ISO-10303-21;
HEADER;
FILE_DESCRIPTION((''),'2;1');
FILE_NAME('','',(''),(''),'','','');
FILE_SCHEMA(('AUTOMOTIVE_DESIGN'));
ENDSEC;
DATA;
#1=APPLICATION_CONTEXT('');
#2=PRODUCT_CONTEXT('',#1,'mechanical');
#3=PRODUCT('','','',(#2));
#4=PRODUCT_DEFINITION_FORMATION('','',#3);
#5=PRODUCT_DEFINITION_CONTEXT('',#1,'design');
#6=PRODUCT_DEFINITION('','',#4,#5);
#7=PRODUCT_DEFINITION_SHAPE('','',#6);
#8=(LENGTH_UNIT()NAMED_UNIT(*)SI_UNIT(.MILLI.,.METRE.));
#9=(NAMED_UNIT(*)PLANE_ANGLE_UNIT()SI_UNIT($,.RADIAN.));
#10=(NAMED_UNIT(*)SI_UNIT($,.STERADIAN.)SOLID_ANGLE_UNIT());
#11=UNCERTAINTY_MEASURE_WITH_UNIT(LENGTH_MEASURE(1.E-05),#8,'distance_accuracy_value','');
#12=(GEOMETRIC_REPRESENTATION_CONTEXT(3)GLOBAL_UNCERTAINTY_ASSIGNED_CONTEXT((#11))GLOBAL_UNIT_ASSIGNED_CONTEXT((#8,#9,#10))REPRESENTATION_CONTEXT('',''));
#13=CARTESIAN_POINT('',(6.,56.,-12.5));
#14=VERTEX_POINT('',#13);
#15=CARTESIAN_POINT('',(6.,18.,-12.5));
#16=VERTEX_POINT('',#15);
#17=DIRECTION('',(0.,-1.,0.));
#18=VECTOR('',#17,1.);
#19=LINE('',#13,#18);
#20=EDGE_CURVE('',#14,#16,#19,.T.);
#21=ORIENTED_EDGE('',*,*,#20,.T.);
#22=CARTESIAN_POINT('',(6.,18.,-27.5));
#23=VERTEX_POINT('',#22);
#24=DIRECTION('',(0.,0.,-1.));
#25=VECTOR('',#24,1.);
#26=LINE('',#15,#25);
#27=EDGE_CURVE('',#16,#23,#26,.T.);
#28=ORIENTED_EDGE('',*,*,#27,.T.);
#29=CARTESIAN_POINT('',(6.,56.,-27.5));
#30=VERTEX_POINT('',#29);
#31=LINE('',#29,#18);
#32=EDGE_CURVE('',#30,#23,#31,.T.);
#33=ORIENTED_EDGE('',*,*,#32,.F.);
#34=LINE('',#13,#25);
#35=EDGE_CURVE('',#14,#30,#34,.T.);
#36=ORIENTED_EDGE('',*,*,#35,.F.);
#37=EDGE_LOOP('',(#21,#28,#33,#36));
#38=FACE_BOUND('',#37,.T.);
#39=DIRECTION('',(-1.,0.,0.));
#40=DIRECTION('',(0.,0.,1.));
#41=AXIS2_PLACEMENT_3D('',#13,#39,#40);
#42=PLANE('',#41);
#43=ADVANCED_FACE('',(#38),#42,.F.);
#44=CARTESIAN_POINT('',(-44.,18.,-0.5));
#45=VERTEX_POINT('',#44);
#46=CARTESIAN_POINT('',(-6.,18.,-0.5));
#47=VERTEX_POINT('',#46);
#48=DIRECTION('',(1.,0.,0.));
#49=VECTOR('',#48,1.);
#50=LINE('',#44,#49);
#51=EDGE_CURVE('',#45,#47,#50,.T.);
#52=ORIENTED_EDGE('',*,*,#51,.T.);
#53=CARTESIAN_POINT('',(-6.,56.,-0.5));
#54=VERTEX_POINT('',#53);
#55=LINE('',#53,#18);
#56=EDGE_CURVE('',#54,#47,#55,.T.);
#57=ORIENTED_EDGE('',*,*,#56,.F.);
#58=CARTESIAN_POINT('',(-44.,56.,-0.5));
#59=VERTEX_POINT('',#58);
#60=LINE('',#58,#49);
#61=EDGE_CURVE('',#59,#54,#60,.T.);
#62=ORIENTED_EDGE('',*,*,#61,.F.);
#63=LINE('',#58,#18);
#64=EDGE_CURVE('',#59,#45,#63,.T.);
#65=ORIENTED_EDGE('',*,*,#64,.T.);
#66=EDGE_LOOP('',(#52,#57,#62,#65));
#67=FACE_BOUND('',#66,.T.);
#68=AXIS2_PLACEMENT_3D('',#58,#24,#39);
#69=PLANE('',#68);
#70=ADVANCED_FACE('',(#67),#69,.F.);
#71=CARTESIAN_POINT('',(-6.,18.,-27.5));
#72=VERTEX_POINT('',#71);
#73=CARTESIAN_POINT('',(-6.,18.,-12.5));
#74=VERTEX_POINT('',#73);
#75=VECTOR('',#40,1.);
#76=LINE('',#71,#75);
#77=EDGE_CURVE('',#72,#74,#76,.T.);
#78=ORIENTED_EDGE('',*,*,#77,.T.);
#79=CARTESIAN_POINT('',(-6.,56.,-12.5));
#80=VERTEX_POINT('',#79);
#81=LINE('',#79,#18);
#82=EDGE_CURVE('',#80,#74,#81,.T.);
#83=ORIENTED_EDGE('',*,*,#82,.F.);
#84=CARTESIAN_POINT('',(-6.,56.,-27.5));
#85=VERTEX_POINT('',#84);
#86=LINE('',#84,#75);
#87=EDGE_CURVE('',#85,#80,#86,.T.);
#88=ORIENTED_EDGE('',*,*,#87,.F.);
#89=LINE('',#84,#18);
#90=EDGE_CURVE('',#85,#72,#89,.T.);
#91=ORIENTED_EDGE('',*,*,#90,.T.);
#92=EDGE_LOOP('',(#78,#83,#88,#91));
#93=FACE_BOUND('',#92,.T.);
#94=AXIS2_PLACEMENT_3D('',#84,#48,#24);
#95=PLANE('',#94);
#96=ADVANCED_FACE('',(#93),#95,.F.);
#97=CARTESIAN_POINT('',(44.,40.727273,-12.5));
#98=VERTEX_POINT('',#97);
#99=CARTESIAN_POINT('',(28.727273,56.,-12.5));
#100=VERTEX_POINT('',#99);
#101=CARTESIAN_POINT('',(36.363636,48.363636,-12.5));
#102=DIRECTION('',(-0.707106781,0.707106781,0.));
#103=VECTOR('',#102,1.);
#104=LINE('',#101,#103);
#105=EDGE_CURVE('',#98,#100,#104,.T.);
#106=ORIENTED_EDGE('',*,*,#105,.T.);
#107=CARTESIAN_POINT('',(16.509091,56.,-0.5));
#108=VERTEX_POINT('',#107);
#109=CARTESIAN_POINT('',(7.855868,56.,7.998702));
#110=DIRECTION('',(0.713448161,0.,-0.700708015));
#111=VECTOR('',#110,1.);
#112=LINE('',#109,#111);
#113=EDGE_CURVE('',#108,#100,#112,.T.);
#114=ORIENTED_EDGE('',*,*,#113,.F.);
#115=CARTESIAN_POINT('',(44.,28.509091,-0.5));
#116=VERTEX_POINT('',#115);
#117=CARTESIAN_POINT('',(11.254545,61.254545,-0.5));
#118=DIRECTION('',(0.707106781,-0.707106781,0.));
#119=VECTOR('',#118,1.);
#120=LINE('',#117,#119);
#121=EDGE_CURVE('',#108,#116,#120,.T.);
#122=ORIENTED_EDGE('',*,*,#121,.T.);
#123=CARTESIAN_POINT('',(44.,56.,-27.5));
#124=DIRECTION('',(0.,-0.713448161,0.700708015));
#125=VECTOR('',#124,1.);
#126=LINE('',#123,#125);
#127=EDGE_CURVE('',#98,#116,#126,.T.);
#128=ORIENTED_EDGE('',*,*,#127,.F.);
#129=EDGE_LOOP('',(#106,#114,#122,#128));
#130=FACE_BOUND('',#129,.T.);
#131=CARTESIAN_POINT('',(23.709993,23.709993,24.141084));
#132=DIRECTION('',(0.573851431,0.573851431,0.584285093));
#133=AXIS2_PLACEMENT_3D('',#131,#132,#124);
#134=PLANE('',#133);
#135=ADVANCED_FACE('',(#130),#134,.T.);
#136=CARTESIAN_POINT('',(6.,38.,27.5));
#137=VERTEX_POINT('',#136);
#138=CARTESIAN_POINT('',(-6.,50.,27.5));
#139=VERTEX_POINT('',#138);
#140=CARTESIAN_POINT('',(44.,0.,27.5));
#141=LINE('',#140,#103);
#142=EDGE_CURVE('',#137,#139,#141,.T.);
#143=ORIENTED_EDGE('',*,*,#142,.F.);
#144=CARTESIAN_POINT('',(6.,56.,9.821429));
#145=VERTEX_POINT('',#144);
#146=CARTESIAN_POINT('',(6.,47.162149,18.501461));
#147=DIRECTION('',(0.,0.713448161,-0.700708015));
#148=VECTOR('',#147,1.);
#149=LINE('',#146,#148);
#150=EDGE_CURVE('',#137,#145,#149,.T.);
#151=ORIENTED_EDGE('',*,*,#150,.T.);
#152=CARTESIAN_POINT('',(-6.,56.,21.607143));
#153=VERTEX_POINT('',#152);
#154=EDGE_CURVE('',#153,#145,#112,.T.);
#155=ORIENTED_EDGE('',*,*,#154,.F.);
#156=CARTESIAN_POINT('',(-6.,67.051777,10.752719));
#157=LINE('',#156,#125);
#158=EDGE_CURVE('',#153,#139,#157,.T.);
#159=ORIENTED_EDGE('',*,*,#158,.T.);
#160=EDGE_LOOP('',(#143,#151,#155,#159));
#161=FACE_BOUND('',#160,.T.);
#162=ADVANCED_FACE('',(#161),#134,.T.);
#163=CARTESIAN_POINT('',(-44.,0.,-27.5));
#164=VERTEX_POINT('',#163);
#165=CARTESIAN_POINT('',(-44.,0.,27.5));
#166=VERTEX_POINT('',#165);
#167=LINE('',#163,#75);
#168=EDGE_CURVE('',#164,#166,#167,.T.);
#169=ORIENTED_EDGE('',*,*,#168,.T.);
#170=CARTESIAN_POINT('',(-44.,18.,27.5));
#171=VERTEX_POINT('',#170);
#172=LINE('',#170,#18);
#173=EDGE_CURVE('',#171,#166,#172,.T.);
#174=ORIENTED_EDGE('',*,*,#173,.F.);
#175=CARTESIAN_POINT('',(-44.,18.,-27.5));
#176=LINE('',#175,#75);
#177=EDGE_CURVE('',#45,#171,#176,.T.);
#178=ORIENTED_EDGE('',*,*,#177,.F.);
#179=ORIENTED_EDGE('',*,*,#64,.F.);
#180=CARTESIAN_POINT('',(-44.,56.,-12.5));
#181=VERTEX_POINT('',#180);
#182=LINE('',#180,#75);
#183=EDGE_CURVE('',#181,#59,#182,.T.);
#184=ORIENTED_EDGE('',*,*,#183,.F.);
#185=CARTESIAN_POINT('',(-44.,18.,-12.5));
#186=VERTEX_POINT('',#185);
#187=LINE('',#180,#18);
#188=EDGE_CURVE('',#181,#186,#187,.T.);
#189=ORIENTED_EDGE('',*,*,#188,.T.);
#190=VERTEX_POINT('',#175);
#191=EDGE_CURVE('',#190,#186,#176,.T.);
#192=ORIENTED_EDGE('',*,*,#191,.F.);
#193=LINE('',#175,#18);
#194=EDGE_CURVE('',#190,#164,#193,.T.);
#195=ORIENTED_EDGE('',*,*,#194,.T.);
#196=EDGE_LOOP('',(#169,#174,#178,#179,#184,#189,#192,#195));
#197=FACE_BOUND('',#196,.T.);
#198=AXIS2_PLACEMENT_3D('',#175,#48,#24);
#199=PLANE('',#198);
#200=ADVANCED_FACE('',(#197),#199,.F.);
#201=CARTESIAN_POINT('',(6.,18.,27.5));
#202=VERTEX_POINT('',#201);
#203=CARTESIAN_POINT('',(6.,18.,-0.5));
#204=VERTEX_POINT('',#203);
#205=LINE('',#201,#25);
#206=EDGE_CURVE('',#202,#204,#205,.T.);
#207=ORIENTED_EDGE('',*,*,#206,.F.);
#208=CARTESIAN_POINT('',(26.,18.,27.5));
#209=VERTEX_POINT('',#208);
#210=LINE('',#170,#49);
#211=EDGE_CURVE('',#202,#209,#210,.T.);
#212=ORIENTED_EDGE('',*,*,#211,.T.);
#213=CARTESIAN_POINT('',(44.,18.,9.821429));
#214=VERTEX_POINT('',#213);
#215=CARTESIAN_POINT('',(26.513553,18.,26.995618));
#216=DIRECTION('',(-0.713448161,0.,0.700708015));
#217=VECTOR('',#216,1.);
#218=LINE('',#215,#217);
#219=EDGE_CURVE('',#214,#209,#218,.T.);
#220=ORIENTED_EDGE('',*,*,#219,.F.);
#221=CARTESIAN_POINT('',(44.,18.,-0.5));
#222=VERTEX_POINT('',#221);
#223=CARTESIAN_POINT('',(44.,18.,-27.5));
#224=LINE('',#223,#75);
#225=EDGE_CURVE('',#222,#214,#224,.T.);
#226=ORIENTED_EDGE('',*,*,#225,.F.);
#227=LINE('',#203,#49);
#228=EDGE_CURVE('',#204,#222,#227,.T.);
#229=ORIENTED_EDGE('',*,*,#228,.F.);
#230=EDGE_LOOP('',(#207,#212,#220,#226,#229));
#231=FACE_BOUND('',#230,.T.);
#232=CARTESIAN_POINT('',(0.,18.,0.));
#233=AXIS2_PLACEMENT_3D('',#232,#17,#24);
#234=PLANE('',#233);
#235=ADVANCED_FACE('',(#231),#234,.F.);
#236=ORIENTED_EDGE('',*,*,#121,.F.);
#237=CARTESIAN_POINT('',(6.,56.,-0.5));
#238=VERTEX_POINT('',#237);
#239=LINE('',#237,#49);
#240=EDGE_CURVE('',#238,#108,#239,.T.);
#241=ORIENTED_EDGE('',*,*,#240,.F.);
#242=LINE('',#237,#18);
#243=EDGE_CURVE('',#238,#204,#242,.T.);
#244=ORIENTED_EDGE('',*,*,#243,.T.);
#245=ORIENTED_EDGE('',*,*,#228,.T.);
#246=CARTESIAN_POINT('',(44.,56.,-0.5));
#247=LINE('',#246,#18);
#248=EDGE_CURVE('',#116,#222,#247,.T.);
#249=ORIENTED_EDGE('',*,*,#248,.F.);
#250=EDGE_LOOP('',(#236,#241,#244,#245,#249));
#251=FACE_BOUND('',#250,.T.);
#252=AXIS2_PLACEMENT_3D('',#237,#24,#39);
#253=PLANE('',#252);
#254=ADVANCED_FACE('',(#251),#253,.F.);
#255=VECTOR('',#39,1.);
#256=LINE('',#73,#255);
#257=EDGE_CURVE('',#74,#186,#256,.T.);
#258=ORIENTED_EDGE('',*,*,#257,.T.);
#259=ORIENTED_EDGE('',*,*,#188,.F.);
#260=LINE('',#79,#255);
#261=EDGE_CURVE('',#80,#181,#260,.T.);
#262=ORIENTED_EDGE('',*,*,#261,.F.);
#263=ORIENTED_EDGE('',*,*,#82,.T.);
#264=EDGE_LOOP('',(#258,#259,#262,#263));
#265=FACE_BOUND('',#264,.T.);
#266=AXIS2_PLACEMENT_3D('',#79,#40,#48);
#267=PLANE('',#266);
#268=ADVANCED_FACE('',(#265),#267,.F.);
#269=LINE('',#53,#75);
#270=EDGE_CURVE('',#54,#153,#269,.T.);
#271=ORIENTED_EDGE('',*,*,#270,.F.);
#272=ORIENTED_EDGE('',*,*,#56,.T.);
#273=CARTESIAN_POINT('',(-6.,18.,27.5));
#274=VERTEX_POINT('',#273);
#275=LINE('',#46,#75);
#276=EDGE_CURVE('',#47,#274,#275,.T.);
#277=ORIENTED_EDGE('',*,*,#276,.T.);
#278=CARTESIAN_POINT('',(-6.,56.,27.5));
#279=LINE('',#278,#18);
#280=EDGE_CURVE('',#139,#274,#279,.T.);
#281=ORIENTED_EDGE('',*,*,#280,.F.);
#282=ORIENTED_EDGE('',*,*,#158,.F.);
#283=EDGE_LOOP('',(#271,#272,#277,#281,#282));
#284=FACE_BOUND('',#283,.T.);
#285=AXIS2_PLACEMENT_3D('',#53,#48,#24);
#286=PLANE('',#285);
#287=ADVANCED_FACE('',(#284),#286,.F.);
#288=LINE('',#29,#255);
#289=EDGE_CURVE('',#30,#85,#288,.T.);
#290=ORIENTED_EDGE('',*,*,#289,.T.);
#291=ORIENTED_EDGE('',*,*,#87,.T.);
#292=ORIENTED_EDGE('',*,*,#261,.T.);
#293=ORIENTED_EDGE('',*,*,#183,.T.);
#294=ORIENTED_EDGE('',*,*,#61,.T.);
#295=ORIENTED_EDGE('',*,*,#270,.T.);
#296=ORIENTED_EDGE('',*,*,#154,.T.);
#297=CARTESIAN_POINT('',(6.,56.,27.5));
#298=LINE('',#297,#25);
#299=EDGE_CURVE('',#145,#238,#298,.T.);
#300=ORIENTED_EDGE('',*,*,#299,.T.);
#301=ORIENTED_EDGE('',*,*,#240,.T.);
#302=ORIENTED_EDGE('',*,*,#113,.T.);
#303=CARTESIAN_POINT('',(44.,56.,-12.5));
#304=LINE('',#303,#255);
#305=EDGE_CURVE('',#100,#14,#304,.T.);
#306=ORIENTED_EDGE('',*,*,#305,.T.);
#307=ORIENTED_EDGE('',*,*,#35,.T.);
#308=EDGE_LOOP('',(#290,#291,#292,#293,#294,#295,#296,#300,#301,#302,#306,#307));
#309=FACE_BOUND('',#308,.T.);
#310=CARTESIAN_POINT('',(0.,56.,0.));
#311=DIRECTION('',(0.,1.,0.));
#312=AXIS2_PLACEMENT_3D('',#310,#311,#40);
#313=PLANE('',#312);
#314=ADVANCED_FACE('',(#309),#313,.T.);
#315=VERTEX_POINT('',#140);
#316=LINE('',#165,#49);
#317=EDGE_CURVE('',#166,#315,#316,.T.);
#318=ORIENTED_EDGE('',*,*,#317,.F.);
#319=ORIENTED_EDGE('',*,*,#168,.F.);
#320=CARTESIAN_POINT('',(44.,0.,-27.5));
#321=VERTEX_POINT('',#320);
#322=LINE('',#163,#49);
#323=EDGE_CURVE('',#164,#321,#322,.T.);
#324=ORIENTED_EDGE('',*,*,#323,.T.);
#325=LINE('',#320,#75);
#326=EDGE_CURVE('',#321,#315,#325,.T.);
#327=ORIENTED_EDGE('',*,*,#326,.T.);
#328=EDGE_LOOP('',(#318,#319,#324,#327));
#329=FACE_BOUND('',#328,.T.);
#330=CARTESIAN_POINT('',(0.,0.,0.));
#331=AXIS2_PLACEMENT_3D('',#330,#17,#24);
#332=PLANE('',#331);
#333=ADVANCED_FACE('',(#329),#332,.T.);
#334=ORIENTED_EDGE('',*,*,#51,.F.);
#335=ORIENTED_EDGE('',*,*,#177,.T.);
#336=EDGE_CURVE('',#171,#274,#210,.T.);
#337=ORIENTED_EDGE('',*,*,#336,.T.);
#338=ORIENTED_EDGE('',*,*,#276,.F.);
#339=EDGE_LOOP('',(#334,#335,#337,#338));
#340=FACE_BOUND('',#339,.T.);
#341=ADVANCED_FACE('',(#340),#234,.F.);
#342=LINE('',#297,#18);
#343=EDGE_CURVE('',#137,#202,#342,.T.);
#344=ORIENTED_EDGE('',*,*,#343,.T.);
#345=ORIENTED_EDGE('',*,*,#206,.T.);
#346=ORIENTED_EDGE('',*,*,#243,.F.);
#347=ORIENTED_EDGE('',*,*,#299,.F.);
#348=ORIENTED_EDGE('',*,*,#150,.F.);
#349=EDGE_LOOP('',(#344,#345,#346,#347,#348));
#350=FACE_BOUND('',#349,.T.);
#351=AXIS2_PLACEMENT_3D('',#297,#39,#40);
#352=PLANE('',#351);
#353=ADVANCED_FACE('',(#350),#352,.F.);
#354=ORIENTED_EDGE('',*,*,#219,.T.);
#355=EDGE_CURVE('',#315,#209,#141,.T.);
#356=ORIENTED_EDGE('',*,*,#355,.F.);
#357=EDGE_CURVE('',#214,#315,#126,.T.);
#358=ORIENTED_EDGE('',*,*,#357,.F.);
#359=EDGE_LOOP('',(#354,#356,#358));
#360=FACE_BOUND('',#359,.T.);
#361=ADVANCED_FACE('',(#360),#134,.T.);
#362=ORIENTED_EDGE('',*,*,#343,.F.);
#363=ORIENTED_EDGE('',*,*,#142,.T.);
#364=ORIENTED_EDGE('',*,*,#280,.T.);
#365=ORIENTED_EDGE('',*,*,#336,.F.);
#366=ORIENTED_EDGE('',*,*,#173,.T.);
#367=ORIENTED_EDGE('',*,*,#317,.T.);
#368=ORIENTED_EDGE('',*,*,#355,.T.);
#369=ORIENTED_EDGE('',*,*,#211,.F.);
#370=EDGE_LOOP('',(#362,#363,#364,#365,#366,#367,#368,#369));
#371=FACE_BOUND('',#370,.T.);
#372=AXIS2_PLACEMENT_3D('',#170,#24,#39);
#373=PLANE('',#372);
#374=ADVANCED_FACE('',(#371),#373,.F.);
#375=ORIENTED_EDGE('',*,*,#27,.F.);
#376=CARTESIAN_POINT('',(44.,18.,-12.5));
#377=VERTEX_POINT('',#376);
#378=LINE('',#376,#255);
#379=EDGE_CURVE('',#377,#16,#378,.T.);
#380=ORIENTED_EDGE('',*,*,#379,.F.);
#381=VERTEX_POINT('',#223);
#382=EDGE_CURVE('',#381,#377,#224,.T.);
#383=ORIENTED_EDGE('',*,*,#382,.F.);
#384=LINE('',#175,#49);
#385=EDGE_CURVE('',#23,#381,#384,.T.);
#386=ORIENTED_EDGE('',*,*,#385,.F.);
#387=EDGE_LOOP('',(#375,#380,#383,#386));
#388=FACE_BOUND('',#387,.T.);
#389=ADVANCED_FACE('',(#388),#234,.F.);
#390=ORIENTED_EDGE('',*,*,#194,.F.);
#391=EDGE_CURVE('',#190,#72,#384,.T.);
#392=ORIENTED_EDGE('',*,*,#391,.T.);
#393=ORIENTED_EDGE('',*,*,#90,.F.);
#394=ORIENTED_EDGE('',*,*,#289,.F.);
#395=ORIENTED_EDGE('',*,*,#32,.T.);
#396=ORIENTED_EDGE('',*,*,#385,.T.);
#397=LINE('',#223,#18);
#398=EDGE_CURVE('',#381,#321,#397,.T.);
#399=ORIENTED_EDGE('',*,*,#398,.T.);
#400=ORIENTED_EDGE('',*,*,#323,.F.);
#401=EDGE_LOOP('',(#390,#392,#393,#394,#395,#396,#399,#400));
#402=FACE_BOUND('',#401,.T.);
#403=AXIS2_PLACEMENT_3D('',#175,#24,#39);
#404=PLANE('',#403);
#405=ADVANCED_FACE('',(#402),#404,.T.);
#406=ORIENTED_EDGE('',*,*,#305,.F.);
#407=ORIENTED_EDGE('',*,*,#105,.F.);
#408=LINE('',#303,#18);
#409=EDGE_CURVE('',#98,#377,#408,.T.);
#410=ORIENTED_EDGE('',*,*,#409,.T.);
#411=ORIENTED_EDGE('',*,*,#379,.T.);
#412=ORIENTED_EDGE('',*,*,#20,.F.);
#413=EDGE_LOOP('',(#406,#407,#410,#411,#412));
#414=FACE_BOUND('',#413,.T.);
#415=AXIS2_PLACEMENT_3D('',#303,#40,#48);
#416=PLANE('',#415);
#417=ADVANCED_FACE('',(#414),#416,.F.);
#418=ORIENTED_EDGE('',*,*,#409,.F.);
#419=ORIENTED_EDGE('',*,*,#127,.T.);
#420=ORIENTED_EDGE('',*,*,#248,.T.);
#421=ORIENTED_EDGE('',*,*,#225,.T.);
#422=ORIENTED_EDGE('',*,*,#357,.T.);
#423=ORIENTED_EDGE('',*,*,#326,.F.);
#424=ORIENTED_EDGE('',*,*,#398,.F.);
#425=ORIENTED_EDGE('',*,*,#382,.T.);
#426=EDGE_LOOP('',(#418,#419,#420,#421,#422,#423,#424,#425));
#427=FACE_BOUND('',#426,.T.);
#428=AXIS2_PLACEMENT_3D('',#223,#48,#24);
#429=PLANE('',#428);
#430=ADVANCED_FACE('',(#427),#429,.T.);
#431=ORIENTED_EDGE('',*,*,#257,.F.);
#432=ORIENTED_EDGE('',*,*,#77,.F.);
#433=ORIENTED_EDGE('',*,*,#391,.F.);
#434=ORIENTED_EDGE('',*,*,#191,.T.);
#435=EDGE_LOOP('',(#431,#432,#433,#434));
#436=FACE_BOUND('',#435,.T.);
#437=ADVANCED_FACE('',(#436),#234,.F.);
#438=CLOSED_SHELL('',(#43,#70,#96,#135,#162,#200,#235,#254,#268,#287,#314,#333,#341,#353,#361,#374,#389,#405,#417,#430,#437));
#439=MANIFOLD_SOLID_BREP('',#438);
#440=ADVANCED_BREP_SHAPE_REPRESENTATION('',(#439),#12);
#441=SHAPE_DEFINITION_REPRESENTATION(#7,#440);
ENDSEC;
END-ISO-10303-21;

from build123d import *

# Parameters (mm, degrees)
SKETCH1_W           = 88
SKETCH1_H           = 55
BOSS_EXTRUDE1_DEPTH = 18
BOSS_EXTRUDE2_DEPTH = 38
CUT_EXTRUDE4_DEPTH  = 38


with BuildPart() as part:
    # Sketch1 → Boss-Extrude1 (new body)
    with BuildSketch(Plane(origin=(0, 0, 0), x_dir=(1, 0, 0), z_dir=(0, 1, 0))):
        Rectangle(SKETCH1_W, SKETCH1_H)
    extrude(amount=BOSS_EXTRUDE1_DEPTH)

    # Sketch2 → Boss-Extrude2 (add)
    with BuildSketch(Plane(origin=(0, 18, 0), x_dir=(1, 0, 0), z_dir=(0, 1, 0))):
        Polygon((-6, 27.5), (-6, 12.5), (-44, 12.5), (-44, 0.5), (-6, 0.5), (-6, -27.5), (6, -27.5), (6, 0.5), (44, 0.5), (44, 12.5), (6, 12.5), (6, 27.5), align=None)
    extrude(amount=BOSS_EXTRUDE2_DEPTH)

    # Sketch6 → Cut-Extrude4 (cut)
    with BuildSketch(Plane(origin=(23.709993468, 23.709993468, 24.141084259), x_dir=(-0.8189594221707254, 0.4021022970404831, 0.4094132478957647), z_dir=(-0.5738514309799984, -0.5738514309800047, -0.5842850933614594))):
        Polygon((-24.775350258, -19.269470409), (43.604106017, 20.683626585), (-24.775350258, 59.222567403), align=None)
    extrude(amount=-CUT_EXTRUDE4_DEPTH, mode=Mode.SUBTRACT)


solid = part.part
